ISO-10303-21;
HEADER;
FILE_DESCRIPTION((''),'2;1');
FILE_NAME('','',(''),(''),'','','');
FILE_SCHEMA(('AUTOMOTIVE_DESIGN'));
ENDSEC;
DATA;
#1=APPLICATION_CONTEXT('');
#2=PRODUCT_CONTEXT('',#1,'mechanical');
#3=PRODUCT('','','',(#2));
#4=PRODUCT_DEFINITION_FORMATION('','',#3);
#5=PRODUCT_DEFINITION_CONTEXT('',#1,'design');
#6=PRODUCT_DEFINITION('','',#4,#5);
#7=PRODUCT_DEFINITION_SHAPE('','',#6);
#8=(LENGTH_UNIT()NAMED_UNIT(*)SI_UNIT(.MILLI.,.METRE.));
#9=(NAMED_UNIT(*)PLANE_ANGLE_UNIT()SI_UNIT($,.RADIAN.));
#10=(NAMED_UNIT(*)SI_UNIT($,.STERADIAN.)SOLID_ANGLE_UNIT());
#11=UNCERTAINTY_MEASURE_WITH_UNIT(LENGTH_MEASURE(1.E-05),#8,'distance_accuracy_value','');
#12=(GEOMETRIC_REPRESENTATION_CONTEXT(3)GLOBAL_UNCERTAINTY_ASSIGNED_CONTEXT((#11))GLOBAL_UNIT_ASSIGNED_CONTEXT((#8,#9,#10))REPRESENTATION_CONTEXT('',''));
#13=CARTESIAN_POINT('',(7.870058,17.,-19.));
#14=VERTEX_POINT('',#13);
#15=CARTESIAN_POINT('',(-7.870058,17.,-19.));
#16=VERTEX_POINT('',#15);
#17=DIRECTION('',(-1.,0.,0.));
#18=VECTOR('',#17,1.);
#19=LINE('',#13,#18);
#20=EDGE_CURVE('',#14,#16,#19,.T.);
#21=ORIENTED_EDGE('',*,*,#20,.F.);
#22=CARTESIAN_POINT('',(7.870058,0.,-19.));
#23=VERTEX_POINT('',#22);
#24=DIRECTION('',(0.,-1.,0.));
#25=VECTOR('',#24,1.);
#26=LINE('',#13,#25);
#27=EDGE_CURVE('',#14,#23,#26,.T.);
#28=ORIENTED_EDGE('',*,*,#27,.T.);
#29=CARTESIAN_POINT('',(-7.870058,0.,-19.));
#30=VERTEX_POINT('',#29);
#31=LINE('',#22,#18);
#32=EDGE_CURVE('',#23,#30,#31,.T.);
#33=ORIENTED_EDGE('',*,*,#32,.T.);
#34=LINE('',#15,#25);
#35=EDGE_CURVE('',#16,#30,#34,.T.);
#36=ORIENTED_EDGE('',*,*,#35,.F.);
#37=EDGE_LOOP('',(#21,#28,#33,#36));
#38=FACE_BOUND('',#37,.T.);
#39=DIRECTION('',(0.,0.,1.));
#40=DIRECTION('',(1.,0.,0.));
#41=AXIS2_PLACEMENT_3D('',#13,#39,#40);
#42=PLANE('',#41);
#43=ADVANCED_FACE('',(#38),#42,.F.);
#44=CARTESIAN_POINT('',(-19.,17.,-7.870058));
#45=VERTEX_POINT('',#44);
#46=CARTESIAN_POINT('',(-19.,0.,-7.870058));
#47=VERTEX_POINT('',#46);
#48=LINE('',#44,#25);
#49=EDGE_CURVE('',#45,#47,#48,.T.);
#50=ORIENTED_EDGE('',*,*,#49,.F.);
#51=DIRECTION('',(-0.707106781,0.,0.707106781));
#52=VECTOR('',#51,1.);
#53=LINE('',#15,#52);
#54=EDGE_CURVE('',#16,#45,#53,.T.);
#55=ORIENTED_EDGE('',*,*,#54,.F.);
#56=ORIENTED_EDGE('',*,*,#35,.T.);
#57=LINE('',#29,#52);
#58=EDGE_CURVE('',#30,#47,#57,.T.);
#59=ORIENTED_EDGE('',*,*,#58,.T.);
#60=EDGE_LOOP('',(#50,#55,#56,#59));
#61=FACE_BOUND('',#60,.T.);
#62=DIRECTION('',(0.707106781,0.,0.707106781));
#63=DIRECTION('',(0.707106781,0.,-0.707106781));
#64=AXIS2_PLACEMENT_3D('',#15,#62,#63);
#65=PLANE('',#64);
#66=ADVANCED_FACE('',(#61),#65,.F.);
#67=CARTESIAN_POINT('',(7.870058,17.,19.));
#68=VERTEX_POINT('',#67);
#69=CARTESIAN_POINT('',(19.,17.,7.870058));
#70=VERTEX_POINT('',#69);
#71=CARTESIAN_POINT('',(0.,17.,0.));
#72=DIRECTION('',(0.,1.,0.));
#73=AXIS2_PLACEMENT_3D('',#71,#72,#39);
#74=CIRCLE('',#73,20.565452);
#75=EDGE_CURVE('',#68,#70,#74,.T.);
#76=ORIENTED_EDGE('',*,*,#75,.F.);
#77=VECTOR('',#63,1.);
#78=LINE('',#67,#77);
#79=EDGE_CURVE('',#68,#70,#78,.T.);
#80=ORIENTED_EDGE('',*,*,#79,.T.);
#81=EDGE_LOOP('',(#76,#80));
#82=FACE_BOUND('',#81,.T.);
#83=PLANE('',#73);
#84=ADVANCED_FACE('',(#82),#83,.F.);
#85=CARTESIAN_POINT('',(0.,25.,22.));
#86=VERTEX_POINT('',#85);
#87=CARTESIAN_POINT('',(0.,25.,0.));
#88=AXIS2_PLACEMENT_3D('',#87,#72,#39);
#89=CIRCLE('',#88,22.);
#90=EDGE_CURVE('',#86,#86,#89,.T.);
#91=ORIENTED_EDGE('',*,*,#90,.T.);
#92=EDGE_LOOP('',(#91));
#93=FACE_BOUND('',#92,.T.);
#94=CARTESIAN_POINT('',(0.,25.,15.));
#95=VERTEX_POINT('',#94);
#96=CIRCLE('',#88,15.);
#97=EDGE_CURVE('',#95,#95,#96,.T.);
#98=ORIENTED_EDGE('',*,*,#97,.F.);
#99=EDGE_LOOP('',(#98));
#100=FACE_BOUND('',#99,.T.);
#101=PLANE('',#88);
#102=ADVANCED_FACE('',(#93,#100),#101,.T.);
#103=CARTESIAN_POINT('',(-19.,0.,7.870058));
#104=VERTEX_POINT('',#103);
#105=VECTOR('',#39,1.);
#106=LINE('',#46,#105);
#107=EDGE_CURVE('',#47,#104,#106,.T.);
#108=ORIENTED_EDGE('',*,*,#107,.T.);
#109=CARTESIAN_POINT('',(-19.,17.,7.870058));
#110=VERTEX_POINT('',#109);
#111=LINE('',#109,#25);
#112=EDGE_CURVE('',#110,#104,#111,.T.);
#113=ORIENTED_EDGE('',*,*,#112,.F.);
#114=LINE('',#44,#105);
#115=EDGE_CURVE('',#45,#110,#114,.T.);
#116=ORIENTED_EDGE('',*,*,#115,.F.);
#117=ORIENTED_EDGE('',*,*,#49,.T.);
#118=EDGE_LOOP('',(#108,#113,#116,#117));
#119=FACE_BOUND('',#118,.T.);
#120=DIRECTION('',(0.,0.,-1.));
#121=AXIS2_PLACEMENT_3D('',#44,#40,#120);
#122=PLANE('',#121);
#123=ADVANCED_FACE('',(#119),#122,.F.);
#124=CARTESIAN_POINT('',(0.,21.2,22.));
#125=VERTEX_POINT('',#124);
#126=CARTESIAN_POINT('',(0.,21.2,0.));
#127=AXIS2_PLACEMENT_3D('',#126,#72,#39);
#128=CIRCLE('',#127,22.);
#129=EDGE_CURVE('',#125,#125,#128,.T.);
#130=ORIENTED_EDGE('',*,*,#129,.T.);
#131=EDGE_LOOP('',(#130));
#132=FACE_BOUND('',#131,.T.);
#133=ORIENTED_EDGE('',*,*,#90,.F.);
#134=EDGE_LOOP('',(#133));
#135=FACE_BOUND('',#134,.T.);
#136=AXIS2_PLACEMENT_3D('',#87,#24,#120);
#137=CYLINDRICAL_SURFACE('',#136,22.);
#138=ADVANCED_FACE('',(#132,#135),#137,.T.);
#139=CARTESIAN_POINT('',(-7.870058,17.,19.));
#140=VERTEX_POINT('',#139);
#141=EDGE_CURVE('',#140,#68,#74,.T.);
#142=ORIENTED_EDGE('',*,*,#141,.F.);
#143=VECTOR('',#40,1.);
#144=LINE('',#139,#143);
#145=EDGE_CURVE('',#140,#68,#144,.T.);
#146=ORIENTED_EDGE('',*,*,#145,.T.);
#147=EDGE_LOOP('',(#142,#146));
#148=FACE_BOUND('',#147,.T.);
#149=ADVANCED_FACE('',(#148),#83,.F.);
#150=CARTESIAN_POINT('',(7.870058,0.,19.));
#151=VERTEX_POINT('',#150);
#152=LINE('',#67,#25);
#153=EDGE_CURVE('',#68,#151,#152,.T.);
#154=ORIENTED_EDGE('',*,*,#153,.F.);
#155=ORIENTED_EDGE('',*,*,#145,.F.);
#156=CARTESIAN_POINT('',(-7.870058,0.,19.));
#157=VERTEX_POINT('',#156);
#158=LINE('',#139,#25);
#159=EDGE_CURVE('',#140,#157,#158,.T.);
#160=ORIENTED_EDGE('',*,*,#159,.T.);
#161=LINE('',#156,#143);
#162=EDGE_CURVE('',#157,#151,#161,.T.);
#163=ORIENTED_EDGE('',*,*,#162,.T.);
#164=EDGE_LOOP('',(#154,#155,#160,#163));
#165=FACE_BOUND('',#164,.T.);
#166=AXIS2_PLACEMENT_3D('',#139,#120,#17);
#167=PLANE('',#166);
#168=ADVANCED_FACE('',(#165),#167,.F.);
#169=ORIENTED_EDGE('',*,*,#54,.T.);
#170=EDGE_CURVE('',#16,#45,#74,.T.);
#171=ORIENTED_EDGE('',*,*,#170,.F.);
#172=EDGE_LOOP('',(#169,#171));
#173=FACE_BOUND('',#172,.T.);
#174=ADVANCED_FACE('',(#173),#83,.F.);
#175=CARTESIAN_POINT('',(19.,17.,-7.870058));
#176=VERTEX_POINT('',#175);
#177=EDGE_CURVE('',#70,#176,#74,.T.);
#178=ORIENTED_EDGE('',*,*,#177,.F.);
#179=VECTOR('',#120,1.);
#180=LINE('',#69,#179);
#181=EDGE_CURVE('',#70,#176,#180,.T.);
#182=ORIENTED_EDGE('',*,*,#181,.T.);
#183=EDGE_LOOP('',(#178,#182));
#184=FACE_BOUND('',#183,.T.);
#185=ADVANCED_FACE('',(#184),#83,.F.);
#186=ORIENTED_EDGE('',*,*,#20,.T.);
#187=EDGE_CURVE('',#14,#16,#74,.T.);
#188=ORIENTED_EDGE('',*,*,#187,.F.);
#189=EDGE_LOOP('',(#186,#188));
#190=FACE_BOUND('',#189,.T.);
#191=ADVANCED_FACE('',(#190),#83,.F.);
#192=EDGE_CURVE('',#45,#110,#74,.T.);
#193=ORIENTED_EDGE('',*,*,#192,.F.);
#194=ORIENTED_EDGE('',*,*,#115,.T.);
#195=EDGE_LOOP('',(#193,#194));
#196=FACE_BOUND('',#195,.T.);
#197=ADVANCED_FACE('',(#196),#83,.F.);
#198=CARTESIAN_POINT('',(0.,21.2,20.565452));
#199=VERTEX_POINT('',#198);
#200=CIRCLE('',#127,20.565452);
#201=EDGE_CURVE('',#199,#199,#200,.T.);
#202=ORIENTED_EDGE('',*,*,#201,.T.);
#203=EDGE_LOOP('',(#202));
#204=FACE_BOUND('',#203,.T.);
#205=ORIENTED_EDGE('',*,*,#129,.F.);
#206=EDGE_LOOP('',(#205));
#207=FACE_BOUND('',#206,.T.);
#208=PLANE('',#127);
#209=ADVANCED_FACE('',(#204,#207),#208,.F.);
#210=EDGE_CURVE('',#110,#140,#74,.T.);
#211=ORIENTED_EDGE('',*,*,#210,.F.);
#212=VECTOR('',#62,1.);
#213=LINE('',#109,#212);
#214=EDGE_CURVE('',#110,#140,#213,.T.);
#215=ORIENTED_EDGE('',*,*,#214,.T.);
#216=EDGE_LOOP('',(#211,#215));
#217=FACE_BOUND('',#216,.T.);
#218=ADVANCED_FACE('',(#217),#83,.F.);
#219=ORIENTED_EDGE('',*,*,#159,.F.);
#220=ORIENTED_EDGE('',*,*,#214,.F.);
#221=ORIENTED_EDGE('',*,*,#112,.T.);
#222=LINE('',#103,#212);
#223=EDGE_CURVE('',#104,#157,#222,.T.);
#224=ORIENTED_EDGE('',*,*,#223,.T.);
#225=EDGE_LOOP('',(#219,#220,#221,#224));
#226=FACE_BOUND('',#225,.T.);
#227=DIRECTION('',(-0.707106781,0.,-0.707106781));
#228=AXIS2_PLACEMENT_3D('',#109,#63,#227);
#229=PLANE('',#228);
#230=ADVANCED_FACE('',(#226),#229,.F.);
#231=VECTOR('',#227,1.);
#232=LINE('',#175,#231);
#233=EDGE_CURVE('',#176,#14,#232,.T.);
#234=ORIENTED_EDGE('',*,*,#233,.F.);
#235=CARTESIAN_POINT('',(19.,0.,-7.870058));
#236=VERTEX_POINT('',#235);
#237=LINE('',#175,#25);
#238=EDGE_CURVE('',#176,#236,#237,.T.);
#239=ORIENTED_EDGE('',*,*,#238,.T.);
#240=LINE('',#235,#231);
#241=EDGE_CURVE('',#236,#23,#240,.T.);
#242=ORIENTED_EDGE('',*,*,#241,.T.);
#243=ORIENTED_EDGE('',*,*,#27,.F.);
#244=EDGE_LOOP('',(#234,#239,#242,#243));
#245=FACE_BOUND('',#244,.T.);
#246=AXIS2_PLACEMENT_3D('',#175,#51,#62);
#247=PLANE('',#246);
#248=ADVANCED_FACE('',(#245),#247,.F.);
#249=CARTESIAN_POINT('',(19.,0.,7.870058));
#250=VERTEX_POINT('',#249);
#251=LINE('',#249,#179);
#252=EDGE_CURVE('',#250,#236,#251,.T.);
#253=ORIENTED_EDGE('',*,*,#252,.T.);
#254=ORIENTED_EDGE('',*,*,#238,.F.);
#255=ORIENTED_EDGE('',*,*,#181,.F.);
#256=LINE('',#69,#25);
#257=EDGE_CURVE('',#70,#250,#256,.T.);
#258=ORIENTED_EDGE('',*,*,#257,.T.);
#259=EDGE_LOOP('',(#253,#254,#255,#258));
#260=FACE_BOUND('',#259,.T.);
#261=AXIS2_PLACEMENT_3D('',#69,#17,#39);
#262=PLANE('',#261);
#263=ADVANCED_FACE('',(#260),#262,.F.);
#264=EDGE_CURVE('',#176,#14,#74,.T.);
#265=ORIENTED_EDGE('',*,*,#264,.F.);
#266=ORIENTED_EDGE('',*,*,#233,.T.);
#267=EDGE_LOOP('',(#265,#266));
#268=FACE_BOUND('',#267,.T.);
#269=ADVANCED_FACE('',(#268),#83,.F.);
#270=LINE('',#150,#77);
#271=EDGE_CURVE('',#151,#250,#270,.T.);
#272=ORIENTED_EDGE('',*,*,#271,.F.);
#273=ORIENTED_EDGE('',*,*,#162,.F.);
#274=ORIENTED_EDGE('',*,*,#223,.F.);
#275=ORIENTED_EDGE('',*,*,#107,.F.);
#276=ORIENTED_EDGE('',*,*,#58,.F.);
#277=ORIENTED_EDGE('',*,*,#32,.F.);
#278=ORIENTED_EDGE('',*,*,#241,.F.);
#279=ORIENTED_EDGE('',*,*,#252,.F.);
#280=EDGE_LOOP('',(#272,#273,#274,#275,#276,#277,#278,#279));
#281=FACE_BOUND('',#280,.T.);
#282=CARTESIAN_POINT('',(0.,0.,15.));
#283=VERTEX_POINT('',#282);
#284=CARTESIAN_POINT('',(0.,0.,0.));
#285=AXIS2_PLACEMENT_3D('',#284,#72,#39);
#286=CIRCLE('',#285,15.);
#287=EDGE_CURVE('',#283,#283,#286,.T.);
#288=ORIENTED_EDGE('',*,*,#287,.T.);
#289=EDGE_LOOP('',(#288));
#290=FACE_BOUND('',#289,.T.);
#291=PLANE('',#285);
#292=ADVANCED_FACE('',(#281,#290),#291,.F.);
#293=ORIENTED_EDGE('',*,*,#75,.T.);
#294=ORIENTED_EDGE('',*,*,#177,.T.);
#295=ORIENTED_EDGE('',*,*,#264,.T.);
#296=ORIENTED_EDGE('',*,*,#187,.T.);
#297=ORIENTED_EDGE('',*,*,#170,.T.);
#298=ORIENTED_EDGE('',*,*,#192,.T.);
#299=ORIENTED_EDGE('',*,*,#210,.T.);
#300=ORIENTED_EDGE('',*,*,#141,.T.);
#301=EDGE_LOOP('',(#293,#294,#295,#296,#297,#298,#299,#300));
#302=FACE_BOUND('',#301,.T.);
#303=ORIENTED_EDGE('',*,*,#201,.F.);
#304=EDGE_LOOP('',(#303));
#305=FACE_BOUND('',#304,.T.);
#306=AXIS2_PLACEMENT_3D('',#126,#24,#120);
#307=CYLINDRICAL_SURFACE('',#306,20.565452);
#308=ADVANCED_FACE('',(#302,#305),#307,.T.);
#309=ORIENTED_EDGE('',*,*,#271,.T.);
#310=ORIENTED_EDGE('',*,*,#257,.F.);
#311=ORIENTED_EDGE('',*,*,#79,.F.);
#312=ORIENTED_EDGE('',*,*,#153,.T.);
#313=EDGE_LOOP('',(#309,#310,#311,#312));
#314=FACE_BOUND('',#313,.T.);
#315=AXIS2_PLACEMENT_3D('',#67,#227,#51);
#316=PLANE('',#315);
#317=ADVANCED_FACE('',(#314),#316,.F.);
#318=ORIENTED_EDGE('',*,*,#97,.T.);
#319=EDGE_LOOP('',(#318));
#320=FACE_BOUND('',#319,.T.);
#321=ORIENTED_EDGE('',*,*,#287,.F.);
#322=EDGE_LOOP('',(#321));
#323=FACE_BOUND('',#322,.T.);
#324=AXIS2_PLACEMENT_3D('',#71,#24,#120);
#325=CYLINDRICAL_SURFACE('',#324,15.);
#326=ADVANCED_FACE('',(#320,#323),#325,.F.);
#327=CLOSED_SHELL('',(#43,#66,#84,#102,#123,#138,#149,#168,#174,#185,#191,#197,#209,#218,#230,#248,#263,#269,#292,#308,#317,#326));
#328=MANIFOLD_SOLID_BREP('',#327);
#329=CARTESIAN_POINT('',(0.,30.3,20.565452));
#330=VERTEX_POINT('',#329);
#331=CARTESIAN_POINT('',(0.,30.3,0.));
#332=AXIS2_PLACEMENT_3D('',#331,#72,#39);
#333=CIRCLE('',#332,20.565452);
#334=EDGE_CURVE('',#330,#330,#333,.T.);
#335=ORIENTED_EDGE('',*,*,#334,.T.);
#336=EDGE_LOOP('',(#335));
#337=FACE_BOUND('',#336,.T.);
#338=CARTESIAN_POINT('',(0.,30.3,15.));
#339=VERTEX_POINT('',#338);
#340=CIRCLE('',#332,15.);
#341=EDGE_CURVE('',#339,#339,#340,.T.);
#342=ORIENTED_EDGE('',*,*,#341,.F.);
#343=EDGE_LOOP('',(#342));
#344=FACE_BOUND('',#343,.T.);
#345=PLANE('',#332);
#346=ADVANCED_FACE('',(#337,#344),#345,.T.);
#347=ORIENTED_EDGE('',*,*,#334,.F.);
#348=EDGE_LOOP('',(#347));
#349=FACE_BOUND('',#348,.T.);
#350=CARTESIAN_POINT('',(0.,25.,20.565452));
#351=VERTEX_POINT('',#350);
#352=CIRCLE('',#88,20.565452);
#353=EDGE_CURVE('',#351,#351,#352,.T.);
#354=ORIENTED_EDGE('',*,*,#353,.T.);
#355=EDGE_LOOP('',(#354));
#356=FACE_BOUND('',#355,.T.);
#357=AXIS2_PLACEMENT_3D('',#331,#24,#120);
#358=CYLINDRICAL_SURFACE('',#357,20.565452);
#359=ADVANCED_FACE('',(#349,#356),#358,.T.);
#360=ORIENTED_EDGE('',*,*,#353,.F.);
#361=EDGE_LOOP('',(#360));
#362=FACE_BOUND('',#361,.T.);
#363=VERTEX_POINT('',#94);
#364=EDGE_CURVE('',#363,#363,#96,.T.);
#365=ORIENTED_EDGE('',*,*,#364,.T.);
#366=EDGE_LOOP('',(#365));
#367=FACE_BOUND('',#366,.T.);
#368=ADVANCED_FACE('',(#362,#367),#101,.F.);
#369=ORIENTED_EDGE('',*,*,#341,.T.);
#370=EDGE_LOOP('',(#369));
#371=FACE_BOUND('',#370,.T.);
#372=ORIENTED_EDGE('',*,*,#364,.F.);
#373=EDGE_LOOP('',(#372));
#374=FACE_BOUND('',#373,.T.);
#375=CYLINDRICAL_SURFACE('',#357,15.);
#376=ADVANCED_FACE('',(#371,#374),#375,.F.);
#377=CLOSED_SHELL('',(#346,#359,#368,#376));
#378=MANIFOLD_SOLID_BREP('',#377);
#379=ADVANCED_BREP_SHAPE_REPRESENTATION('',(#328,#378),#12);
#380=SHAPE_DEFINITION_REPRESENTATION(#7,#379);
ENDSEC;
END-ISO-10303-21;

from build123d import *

# Parameters (mm, degrees)
ESBO_O1_R                = 15
RESSALTO_EXTRUS_O1_DEPTH = 17
ESBO_O2_R                = 20.565451806
ESBO_O2_R_2              = 15
RESSALTO_EXTRUS_O2_DEPTH = 4.2
ESBO_O3_R                = 22
ESBO_O3_R_2              = 15
RESSALTO_EXTRUS_O3_DEPTH = 3.8
ESBO_O4_R                = 20.565451806
ESBO_O4_R_2              = 15
RESSALTO_EXTRUS_O4_DEPTH = 5.3


with BuildPart() as part:
    # Esboço1 → Ressalto-extrusão1 (new body)
    with BuildSketch(Plane(origin=(0, 0, 0), x_dir=(1, 0, 0), z_dir=(0, 1, 0))):
        Polygon((7.870057685, -19), (19, -7.870057685), (19, 7.870057685), (7.870057685, 19), (-7.870057685, 19), (-19, 7.870057685), (-19, -7.870057685), (-7.870057685, -19), align=None)
        Circle(ESBO_O1_R, mode=Mode.SUBTRACT)
    extrude(amount=RESSALTO_EXTRUS_O1_DEPTH)

    # Esboço2 → Ressalto-extrusão2 (add)
    with BuildSketch(Plane(origin=(0, 17, 0), x_dir=(1, 0, 0), z_dir=(0, 1, 0))):
        Circle(ESBO_O2_R)
        Circle(ESBO_O2_R_2, mode=Mode.SUBTRACT)
    extrude(amount=RESSALTO_EXTRUS_O2_DEPTH)

    # Esboço3 → Ressalto-extrusão3 (add)
    with BuildSketch(Plane(origin=(0, 21.2, 0), x_dir=(1, 0, 0), z_dir=(0, 1, 0))):
        Circle(ESBO_O3_R)
        Circle(ESBO_O3_R_2, mode=Mode.SUBTRACT)
    extrude(amount=RESSALTO_EXTRUS_O3_DEPTH)


with BuildPart() as body_2:
    # Esboço4 → Ressalto-extrusão4 (new body)
    with BuildSketch(Plane(origin=(0, 25, 0), x_dir=(1, 0, 0), z_dir=(0, 1, 0))):
        Circle(ESBO_O4_R)
        Circle(ESBO_O4_R_2, mode=Mode.SUBTRACT)
    extrude(amount=RESSALTO_EXTRUS_O4_DEPTH)


solid = Compound([part.part, body_2.part])
